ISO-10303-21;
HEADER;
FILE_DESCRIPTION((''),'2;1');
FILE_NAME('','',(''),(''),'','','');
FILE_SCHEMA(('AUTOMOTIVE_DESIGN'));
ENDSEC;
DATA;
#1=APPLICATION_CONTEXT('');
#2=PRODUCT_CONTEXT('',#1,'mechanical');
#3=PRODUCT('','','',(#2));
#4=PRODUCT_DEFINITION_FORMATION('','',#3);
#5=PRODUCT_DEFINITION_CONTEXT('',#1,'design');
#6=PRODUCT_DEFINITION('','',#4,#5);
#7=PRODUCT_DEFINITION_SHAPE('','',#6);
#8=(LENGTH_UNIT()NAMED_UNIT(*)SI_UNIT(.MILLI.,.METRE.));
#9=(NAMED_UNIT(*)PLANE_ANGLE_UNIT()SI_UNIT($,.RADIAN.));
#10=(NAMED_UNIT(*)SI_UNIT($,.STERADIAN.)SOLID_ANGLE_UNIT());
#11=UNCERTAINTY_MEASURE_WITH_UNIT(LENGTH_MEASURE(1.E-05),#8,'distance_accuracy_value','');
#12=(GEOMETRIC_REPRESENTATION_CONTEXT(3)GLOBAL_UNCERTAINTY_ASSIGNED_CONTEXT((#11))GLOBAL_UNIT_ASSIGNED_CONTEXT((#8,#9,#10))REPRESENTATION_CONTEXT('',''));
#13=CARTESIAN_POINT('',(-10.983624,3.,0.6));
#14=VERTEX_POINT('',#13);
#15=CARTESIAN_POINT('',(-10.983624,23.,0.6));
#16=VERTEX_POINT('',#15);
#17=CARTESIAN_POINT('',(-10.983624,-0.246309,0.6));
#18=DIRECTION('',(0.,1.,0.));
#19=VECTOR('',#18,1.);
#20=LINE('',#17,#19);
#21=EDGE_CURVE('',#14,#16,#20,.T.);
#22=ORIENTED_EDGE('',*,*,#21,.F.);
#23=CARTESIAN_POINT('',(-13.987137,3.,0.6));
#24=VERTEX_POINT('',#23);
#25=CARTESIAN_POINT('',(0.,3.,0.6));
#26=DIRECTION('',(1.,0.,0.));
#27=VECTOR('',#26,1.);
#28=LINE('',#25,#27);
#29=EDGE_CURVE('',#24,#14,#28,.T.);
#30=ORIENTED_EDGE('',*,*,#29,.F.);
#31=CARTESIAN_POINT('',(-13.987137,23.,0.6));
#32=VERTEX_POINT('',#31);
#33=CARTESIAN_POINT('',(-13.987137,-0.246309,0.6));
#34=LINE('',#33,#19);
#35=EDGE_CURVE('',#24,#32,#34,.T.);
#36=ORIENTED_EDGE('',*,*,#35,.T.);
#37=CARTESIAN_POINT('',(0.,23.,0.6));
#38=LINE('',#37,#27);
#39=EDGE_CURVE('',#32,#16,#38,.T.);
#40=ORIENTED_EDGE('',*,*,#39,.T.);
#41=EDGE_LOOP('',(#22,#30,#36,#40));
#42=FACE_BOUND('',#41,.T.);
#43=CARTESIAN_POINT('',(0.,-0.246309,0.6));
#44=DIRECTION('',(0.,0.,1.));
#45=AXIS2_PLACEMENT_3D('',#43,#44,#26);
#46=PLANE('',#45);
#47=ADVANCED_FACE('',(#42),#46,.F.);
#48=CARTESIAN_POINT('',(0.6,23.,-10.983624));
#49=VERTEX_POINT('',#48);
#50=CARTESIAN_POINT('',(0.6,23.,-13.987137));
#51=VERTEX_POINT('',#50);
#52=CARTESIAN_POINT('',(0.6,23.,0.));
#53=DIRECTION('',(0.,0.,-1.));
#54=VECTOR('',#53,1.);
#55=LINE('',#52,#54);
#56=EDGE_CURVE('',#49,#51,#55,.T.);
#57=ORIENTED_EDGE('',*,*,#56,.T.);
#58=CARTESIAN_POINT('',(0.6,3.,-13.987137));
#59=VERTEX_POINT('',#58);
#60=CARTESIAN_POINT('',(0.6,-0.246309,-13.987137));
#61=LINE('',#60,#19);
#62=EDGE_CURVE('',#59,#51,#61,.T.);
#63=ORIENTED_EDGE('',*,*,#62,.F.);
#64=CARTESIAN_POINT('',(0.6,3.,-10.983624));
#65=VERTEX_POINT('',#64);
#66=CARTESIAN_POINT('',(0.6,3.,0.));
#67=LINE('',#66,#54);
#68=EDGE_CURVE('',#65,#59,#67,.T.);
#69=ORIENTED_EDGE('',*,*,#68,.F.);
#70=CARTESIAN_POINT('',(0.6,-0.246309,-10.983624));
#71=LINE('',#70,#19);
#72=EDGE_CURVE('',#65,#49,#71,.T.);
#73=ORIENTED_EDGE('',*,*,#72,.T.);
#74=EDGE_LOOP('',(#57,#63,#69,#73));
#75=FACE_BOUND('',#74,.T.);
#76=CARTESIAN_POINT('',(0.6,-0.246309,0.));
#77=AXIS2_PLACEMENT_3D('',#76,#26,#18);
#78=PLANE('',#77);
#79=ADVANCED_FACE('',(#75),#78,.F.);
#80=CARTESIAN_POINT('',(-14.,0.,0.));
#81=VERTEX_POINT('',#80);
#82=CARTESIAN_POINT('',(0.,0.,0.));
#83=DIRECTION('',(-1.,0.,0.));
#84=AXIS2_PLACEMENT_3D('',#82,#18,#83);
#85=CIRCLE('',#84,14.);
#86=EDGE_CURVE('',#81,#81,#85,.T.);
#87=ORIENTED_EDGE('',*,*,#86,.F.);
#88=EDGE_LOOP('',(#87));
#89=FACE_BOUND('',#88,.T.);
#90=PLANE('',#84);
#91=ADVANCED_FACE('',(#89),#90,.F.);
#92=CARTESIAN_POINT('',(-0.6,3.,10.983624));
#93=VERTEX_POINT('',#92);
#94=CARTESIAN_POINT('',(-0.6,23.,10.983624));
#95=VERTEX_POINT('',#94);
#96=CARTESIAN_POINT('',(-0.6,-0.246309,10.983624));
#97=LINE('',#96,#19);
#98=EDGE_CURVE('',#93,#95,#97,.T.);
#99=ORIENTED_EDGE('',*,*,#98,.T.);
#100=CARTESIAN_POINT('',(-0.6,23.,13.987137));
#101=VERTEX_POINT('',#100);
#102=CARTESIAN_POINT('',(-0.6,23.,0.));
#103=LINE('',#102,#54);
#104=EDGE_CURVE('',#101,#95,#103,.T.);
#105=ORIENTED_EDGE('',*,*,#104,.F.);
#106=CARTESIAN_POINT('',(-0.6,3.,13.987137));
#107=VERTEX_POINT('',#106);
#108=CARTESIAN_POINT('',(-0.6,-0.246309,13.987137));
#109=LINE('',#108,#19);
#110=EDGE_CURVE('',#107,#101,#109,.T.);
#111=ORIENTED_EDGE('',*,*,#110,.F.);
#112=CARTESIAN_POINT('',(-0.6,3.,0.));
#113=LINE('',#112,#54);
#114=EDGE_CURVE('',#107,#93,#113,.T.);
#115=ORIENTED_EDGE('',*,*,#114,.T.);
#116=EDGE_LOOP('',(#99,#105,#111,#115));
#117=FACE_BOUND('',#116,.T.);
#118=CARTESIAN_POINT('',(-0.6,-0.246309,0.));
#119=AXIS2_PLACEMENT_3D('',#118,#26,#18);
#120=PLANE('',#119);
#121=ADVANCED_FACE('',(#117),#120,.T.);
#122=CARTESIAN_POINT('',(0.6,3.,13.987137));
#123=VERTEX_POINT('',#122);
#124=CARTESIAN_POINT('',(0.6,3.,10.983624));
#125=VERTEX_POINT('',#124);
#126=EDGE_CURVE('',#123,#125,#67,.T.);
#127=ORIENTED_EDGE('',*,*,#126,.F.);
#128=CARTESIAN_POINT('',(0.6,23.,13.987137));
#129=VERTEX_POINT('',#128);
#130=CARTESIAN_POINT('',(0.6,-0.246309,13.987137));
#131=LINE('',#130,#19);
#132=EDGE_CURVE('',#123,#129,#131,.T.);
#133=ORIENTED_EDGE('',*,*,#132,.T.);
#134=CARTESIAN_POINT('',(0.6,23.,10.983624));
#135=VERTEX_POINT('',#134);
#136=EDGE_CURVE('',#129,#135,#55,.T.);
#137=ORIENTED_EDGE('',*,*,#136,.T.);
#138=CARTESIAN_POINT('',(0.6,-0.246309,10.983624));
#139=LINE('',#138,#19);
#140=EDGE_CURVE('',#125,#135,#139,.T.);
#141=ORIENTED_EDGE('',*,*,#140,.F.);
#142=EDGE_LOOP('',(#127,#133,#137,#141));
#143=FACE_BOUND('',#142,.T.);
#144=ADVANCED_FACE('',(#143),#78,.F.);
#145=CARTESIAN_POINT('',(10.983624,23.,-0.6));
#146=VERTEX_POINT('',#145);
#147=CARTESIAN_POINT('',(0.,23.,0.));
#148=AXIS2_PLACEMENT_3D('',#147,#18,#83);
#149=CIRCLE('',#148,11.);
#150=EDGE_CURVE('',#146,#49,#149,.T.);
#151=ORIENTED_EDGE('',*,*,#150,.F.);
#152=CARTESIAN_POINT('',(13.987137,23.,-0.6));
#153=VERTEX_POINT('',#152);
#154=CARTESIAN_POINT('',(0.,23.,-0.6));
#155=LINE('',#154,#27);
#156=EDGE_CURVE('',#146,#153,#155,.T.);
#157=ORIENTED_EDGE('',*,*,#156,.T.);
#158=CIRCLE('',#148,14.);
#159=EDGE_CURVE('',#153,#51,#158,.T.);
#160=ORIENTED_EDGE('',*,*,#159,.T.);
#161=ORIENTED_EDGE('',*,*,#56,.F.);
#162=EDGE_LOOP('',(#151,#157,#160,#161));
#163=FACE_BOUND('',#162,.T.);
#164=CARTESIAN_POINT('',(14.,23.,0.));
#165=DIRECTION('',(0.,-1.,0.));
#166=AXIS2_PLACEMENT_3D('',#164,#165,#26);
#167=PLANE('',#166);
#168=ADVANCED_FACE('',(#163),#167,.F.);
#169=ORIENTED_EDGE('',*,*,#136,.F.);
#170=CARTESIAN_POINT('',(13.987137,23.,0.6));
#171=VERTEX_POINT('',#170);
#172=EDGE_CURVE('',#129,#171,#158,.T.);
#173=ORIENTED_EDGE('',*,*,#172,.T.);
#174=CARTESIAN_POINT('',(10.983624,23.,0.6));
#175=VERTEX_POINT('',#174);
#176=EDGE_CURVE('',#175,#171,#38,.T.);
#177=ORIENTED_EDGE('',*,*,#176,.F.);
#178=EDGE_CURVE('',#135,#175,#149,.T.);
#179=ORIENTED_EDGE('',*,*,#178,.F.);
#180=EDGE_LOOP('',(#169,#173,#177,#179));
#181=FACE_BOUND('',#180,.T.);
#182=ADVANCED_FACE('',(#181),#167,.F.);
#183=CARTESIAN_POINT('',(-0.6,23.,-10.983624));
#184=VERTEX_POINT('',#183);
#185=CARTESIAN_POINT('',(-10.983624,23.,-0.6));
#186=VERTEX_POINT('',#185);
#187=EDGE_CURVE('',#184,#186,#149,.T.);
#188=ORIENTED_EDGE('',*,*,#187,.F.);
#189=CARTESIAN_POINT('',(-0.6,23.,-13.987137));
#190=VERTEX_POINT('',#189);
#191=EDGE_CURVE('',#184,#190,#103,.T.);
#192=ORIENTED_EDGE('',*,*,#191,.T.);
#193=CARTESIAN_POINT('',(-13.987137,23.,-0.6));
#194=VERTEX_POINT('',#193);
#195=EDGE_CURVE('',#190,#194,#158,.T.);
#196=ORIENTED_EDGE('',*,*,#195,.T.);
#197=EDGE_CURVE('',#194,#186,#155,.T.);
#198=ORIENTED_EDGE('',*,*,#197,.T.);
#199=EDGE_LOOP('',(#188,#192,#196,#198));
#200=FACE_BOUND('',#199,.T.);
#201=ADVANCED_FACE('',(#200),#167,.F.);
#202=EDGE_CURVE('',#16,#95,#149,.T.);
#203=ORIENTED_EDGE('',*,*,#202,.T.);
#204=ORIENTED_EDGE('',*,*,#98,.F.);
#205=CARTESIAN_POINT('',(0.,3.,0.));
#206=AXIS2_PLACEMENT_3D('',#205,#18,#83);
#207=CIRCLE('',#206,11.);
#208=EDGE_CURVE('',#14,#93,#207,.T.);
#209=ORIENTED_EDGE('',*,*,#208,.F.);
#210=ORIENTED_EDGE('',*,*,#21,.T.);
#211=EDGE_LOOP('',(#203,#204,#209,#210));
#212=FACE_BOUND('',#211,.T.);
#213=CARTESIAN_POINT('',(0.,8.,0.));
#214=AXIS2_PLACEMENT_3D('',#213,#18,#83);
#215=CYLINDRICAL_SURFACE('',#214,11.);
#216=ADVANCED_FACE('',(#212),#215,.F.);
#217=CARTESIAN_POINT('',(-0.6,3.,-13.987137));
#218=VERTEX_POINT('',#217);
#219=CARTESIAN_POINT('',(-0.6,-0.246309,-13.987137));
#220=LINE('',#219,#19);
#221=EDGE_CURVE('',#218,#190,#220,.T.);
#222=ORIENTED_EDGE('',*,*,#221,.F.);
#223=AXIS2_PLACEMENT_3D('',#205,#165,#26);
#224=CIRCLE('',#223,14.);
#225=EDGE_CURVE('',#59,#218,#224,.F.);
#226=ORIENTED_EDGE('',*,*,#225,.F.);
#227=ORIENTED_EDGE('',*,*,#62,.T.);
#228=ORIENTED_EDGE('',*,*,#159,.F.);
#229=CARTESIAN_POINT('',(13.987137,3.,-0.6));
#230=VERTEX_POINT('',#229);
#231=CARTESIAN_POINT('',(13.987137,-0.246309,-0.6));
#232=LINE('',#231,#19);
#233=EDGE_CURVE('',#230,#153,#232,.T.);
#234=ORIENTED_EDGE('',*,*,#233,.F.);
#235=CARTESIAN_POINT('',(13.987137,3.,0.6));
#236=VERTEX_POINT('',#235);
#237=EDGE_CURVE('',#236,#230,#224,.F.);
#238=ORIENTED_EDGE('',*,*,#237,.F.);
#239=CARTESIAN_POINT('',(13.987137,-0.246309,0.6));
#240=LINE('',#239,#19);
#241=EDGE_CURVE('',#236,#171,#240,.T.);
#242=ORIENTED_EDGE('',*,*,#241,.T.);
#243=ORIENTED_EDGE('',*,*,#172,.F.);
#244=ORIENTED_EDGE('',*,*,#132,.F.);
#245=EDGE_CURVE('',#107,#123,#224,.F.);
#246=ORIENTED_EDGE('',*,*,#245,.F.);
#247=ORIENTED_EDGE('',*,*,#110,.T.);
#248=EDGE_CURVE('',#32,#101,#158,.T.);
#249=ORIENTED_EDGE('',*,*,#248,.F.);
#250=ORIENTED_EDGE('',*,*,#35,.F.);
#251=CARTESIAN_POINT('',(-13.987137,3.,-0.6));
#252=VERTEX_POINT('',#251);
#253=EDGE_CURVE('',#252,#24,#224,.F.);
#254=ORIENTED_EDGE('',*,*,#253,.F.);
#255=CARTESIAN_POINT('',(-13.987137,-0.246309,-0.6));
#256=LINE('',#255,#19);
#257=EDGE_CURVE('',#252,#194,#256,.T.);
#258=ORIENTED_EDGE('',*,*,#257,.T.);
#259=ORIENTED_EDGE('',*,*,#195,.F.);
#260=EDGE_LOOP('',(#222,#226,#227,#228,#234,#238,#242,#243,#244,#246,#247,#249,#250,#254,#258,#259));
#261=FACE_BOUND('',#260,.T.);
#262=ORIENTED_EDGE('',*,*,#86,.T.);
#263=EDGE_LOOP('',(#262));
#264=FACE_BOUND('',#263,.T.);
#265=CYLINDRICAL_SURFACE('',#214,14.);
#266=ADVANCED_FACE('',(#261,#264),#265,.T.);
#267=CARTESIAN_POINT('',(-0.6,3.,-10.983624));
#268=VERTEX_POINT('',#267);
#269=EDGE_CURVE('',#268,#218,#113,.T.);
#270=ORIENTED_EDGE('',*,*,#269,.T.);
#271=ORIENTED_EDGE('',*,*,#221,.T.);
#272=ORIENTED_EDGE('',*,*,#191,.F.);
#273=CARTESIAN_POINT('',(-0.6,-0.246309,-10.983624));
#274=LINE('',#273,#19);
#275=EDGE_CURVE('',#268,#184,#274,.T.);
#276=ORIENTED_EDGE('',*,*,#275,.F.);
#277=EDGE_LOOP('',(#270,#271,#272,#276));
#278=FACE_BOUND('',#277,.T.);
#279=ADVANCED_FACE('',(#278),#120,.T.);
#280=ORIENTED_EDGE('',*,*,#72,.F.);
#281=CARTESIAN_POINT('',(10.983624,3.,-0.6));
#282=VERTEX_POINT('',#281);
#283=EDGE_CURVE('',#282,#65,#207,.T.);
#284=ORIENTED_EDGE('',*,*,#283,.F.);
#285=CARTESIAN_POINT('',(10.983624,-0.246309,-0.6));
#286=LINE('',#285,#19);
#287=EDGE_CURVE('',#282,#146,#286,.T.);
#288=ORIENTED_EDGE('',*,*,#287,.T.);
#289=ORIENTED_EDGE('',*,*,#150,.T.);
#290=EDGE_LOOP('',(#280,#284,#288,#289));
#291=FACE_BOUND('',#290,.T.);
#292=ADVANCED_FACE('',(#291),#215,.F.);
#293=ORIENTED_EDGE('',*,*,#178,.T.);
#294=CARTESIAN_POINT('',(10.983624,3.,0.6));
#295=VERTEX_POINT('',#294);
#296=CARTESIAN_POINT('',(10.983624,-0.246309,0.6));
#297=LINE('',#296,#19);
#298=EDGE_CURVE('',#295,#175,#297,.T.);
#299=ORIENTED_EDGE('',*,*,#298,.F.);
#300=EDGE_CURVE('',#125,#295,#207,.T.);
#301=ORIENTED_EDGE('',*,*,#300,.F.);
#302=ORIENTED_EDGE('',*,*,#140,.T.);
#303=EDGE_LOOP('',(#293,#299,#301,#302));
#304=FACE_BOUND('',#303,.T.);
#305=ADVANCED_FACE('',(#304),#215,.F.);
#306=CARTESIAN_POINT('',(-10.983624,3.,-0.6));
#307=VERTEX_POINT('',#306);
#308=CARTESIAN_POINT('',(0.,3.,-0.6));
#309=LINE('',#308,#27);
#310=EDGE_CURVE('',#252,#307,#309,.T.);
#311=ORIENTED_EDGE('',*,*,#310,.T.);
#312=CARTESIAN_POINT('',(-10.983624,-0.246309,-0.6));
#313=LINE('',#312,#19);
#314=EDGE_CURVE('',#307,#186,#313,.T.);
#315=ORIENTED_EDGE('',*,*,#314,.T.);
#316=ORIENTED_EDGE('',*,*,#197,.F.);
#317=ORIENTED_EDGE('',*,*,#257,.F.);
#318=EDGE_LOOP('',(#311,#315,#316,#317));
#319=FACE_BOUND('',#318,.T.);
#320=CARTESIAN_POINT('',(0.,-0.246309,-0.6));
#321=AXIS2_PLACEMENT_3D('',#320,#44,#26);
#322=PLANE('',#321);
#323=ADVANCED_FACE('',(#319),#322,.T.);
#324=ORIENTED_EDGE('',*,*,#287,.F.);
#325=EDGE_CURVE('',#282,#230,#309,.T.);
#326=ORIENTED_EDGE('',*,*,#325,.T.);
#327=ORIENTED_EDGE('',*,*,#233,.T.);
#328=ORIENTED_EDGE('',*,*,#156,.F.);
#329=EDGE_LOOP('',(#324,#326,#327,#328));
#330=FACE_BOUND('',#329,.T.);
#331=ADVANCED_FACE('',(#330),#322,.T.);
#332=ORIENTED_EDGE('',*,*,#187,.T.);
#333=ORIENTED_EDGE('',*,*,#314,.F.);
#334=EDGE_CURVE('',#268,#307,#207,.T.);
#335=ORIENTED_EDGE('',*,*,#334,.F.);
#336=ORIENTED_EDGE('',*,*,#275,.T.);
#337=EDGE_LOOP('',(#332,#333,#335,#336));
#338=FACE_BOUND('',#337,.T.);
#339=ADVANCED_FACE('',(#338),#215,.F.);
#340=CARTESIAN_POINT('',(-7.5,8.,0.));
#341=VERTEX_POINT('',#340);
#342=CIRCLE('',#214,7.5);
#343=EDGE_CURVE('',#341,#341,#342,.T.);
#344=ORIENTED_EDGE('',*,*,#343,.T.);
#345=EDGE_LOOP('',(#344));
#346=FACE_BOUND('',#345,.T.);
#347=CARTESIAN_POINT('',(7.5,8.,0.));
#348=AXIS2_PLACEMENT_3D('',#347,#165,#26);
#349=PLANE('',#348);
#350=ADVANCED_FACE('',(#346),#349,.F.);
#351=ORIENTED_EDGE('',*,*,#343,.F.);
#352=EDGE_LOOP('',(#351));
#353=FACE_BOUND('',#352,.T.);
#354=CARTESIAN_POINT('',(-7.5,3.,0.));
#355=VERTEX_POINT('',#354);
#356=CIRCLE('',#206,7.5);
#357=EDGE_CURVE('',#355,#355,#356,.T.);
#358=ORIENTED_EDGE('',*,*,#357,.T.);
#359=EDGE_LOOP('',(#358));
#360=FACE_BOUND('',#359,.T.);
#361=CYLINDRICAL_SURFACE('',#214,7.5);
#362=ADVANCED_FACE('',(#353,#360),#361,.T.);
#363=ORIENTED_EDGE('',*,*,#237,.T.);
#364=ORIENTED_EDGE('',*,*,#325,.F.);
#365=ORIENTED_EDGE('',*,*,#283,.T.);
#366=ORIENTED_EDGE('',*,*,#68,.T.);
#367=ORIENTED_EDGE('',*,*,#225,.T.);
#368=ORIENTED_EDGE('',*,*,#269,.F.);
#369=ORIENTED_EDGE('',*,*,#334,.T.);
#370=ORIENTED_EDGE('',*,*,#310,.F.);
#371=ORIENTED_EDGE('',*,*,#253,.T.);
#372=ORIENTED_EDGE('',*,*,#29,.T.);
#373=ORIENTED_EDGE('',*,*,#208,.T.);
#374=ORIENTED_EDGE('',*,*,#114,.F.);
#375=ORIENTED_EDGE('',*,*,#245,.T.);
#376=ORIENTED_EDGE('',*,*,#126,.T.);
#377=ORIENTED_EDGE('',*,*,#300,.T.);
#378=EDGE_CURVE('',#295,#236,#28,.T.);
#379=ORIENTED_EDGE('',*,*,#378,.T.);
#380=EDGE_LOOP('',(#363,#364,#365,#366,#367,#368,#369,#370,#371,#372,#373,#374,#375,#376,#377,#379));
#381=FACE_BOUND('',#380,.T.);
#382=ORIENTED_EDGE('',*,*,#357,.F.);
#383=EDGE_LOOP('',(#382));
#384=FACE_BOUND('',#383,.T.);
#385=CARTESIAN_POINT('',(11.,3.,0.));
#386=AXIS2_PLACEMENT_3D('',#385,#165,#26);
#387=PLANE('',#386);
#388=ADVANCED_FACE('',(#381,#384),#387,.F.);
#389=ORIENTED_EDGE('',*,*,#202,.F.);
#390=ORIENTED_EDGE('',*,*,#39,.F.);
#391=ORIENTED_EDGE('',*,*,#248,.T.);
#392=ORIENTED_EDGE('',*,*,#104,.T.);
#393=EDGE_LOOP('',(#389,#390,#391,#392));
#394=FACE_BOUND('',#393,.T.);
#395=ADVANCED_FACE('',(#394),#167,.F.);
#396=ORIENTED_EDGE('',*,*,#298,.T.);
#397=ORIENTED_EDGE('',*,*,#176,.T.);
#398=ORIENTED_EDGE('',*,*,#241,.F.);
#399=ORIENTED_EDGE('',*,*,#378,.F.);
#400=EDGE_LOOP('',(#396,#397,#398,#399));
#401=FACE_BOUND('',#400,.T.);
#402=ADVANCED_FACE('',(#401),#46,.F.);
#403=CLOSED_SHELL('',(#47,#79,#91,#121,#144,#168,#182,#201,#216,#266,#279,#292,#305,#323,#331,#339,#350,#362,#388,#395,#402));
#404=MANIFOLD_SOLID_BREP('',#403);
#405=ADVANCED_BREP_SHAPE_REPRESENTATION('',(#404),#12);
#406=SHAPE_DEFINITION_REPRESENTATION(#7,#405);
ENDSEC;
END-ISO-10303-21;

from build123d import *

# Parameters (mm, degrees)
CUT_EXTRUDE1_DEPTH = 20


with BuildPart() as part:
    # Sketch2 → Revolve1 (revolve)
    with BuildSketch(Plane.XY, mode=Mode.PRIVATE) as revolve1_sk:
        Polygon((0, 0), (14, 0), (14, 23), (11, 23), (11, 3), (7.5, 3), (7.5, 8), (0, 8), align=None)
    revolve(revolve1_sk.sketch.rotate(Axis((0, 8, 0), (0, -1, 0)), 180), axis=Axis((0, 8, 0), (0, -1, 0)))

    # Sketch3 → Cut-Extrude1 (cut)
    with BuildSketch(Plane(origin=(0, 23, 0), x_dir=(1, 0, 0), z_dir=(0, 1, 0))):
        with BuildLine():
            ThreePointArc((-0.6, -13.987136948), (-0.300068933, -13.996783868), (0, -14))
            ThreePointArc((0, -14), (0.300068933, -13.996783868), (0.6, -13.987136948))
            Line((0.6, -13.987136948), (0.6, -10.983624174))
            ThreePointArc((0.6, -10.983624174), (0, -11), (-0.6, -10.983624174))
            Line((-0.6, -10.983624174), (-0.6, -13.987136948))
        make_face()
        with BuildLine():
            Line((-0.6, 13.987136948), (-0.6, 10.983624174))
            ThreePointArc((-0.6, 10.983624174), (0, 11), (0.6, 10.983624174))
            Line((0.6, 10.983624174), (0.6, 13.987136948))
            ThreePointArc((0.6, 13.987136948), (0.300068933, 13.996783868), (0, 14))
            ThreePointArc((0, 14), (-0.300068933, 13.996783868), (-0.6, 13.987136948))
        make_face()
        with BuildLine():
            ThreePointArc((-14, 5.1e-08), (-13.996783868, -0.300068907), (-13.987136948, -0.6))
            Line((-13.987136948, -0.6), (-10.983624174, -0.6))
            ThreePointArc((-10.983624174, -0.6), (-11, 0), (-10.983624174, 0.6))
            Line((-10.983624174, 0.6), (-13.987136948, 0.6))
            ThreePointArc((-13.987136948, 0.6), (-13.996783867, 0.300068958), (-14, 5.1e-08))
        make_face()
        with BuildLine():
            Line((10.983624174, -0.6), (13.987136948, -0.6))
            ThreePointArc((13.987136948, -0.6), (13.996783868, -0.300068933), (14, 0))
            ThreePointArc((14, 0), (13.996783868, 0.300068933), (13.987136948, 0.6))
            Line((13.987136948, 0.6), (10.983624174, 0.6))
            ThreePointArc((10.983624174, 0.6), (10.995905281, 0.300111716), (11, 0))
            ThreePointArc((11, 0), (10.995905281, -0.300111716), (10.983624174, -0.6))
        make_face()
    extrude(amount=-CUT_EXTRUDE1_DEPTH, mode=Mode.SUBTRACT)


solid = part.part
